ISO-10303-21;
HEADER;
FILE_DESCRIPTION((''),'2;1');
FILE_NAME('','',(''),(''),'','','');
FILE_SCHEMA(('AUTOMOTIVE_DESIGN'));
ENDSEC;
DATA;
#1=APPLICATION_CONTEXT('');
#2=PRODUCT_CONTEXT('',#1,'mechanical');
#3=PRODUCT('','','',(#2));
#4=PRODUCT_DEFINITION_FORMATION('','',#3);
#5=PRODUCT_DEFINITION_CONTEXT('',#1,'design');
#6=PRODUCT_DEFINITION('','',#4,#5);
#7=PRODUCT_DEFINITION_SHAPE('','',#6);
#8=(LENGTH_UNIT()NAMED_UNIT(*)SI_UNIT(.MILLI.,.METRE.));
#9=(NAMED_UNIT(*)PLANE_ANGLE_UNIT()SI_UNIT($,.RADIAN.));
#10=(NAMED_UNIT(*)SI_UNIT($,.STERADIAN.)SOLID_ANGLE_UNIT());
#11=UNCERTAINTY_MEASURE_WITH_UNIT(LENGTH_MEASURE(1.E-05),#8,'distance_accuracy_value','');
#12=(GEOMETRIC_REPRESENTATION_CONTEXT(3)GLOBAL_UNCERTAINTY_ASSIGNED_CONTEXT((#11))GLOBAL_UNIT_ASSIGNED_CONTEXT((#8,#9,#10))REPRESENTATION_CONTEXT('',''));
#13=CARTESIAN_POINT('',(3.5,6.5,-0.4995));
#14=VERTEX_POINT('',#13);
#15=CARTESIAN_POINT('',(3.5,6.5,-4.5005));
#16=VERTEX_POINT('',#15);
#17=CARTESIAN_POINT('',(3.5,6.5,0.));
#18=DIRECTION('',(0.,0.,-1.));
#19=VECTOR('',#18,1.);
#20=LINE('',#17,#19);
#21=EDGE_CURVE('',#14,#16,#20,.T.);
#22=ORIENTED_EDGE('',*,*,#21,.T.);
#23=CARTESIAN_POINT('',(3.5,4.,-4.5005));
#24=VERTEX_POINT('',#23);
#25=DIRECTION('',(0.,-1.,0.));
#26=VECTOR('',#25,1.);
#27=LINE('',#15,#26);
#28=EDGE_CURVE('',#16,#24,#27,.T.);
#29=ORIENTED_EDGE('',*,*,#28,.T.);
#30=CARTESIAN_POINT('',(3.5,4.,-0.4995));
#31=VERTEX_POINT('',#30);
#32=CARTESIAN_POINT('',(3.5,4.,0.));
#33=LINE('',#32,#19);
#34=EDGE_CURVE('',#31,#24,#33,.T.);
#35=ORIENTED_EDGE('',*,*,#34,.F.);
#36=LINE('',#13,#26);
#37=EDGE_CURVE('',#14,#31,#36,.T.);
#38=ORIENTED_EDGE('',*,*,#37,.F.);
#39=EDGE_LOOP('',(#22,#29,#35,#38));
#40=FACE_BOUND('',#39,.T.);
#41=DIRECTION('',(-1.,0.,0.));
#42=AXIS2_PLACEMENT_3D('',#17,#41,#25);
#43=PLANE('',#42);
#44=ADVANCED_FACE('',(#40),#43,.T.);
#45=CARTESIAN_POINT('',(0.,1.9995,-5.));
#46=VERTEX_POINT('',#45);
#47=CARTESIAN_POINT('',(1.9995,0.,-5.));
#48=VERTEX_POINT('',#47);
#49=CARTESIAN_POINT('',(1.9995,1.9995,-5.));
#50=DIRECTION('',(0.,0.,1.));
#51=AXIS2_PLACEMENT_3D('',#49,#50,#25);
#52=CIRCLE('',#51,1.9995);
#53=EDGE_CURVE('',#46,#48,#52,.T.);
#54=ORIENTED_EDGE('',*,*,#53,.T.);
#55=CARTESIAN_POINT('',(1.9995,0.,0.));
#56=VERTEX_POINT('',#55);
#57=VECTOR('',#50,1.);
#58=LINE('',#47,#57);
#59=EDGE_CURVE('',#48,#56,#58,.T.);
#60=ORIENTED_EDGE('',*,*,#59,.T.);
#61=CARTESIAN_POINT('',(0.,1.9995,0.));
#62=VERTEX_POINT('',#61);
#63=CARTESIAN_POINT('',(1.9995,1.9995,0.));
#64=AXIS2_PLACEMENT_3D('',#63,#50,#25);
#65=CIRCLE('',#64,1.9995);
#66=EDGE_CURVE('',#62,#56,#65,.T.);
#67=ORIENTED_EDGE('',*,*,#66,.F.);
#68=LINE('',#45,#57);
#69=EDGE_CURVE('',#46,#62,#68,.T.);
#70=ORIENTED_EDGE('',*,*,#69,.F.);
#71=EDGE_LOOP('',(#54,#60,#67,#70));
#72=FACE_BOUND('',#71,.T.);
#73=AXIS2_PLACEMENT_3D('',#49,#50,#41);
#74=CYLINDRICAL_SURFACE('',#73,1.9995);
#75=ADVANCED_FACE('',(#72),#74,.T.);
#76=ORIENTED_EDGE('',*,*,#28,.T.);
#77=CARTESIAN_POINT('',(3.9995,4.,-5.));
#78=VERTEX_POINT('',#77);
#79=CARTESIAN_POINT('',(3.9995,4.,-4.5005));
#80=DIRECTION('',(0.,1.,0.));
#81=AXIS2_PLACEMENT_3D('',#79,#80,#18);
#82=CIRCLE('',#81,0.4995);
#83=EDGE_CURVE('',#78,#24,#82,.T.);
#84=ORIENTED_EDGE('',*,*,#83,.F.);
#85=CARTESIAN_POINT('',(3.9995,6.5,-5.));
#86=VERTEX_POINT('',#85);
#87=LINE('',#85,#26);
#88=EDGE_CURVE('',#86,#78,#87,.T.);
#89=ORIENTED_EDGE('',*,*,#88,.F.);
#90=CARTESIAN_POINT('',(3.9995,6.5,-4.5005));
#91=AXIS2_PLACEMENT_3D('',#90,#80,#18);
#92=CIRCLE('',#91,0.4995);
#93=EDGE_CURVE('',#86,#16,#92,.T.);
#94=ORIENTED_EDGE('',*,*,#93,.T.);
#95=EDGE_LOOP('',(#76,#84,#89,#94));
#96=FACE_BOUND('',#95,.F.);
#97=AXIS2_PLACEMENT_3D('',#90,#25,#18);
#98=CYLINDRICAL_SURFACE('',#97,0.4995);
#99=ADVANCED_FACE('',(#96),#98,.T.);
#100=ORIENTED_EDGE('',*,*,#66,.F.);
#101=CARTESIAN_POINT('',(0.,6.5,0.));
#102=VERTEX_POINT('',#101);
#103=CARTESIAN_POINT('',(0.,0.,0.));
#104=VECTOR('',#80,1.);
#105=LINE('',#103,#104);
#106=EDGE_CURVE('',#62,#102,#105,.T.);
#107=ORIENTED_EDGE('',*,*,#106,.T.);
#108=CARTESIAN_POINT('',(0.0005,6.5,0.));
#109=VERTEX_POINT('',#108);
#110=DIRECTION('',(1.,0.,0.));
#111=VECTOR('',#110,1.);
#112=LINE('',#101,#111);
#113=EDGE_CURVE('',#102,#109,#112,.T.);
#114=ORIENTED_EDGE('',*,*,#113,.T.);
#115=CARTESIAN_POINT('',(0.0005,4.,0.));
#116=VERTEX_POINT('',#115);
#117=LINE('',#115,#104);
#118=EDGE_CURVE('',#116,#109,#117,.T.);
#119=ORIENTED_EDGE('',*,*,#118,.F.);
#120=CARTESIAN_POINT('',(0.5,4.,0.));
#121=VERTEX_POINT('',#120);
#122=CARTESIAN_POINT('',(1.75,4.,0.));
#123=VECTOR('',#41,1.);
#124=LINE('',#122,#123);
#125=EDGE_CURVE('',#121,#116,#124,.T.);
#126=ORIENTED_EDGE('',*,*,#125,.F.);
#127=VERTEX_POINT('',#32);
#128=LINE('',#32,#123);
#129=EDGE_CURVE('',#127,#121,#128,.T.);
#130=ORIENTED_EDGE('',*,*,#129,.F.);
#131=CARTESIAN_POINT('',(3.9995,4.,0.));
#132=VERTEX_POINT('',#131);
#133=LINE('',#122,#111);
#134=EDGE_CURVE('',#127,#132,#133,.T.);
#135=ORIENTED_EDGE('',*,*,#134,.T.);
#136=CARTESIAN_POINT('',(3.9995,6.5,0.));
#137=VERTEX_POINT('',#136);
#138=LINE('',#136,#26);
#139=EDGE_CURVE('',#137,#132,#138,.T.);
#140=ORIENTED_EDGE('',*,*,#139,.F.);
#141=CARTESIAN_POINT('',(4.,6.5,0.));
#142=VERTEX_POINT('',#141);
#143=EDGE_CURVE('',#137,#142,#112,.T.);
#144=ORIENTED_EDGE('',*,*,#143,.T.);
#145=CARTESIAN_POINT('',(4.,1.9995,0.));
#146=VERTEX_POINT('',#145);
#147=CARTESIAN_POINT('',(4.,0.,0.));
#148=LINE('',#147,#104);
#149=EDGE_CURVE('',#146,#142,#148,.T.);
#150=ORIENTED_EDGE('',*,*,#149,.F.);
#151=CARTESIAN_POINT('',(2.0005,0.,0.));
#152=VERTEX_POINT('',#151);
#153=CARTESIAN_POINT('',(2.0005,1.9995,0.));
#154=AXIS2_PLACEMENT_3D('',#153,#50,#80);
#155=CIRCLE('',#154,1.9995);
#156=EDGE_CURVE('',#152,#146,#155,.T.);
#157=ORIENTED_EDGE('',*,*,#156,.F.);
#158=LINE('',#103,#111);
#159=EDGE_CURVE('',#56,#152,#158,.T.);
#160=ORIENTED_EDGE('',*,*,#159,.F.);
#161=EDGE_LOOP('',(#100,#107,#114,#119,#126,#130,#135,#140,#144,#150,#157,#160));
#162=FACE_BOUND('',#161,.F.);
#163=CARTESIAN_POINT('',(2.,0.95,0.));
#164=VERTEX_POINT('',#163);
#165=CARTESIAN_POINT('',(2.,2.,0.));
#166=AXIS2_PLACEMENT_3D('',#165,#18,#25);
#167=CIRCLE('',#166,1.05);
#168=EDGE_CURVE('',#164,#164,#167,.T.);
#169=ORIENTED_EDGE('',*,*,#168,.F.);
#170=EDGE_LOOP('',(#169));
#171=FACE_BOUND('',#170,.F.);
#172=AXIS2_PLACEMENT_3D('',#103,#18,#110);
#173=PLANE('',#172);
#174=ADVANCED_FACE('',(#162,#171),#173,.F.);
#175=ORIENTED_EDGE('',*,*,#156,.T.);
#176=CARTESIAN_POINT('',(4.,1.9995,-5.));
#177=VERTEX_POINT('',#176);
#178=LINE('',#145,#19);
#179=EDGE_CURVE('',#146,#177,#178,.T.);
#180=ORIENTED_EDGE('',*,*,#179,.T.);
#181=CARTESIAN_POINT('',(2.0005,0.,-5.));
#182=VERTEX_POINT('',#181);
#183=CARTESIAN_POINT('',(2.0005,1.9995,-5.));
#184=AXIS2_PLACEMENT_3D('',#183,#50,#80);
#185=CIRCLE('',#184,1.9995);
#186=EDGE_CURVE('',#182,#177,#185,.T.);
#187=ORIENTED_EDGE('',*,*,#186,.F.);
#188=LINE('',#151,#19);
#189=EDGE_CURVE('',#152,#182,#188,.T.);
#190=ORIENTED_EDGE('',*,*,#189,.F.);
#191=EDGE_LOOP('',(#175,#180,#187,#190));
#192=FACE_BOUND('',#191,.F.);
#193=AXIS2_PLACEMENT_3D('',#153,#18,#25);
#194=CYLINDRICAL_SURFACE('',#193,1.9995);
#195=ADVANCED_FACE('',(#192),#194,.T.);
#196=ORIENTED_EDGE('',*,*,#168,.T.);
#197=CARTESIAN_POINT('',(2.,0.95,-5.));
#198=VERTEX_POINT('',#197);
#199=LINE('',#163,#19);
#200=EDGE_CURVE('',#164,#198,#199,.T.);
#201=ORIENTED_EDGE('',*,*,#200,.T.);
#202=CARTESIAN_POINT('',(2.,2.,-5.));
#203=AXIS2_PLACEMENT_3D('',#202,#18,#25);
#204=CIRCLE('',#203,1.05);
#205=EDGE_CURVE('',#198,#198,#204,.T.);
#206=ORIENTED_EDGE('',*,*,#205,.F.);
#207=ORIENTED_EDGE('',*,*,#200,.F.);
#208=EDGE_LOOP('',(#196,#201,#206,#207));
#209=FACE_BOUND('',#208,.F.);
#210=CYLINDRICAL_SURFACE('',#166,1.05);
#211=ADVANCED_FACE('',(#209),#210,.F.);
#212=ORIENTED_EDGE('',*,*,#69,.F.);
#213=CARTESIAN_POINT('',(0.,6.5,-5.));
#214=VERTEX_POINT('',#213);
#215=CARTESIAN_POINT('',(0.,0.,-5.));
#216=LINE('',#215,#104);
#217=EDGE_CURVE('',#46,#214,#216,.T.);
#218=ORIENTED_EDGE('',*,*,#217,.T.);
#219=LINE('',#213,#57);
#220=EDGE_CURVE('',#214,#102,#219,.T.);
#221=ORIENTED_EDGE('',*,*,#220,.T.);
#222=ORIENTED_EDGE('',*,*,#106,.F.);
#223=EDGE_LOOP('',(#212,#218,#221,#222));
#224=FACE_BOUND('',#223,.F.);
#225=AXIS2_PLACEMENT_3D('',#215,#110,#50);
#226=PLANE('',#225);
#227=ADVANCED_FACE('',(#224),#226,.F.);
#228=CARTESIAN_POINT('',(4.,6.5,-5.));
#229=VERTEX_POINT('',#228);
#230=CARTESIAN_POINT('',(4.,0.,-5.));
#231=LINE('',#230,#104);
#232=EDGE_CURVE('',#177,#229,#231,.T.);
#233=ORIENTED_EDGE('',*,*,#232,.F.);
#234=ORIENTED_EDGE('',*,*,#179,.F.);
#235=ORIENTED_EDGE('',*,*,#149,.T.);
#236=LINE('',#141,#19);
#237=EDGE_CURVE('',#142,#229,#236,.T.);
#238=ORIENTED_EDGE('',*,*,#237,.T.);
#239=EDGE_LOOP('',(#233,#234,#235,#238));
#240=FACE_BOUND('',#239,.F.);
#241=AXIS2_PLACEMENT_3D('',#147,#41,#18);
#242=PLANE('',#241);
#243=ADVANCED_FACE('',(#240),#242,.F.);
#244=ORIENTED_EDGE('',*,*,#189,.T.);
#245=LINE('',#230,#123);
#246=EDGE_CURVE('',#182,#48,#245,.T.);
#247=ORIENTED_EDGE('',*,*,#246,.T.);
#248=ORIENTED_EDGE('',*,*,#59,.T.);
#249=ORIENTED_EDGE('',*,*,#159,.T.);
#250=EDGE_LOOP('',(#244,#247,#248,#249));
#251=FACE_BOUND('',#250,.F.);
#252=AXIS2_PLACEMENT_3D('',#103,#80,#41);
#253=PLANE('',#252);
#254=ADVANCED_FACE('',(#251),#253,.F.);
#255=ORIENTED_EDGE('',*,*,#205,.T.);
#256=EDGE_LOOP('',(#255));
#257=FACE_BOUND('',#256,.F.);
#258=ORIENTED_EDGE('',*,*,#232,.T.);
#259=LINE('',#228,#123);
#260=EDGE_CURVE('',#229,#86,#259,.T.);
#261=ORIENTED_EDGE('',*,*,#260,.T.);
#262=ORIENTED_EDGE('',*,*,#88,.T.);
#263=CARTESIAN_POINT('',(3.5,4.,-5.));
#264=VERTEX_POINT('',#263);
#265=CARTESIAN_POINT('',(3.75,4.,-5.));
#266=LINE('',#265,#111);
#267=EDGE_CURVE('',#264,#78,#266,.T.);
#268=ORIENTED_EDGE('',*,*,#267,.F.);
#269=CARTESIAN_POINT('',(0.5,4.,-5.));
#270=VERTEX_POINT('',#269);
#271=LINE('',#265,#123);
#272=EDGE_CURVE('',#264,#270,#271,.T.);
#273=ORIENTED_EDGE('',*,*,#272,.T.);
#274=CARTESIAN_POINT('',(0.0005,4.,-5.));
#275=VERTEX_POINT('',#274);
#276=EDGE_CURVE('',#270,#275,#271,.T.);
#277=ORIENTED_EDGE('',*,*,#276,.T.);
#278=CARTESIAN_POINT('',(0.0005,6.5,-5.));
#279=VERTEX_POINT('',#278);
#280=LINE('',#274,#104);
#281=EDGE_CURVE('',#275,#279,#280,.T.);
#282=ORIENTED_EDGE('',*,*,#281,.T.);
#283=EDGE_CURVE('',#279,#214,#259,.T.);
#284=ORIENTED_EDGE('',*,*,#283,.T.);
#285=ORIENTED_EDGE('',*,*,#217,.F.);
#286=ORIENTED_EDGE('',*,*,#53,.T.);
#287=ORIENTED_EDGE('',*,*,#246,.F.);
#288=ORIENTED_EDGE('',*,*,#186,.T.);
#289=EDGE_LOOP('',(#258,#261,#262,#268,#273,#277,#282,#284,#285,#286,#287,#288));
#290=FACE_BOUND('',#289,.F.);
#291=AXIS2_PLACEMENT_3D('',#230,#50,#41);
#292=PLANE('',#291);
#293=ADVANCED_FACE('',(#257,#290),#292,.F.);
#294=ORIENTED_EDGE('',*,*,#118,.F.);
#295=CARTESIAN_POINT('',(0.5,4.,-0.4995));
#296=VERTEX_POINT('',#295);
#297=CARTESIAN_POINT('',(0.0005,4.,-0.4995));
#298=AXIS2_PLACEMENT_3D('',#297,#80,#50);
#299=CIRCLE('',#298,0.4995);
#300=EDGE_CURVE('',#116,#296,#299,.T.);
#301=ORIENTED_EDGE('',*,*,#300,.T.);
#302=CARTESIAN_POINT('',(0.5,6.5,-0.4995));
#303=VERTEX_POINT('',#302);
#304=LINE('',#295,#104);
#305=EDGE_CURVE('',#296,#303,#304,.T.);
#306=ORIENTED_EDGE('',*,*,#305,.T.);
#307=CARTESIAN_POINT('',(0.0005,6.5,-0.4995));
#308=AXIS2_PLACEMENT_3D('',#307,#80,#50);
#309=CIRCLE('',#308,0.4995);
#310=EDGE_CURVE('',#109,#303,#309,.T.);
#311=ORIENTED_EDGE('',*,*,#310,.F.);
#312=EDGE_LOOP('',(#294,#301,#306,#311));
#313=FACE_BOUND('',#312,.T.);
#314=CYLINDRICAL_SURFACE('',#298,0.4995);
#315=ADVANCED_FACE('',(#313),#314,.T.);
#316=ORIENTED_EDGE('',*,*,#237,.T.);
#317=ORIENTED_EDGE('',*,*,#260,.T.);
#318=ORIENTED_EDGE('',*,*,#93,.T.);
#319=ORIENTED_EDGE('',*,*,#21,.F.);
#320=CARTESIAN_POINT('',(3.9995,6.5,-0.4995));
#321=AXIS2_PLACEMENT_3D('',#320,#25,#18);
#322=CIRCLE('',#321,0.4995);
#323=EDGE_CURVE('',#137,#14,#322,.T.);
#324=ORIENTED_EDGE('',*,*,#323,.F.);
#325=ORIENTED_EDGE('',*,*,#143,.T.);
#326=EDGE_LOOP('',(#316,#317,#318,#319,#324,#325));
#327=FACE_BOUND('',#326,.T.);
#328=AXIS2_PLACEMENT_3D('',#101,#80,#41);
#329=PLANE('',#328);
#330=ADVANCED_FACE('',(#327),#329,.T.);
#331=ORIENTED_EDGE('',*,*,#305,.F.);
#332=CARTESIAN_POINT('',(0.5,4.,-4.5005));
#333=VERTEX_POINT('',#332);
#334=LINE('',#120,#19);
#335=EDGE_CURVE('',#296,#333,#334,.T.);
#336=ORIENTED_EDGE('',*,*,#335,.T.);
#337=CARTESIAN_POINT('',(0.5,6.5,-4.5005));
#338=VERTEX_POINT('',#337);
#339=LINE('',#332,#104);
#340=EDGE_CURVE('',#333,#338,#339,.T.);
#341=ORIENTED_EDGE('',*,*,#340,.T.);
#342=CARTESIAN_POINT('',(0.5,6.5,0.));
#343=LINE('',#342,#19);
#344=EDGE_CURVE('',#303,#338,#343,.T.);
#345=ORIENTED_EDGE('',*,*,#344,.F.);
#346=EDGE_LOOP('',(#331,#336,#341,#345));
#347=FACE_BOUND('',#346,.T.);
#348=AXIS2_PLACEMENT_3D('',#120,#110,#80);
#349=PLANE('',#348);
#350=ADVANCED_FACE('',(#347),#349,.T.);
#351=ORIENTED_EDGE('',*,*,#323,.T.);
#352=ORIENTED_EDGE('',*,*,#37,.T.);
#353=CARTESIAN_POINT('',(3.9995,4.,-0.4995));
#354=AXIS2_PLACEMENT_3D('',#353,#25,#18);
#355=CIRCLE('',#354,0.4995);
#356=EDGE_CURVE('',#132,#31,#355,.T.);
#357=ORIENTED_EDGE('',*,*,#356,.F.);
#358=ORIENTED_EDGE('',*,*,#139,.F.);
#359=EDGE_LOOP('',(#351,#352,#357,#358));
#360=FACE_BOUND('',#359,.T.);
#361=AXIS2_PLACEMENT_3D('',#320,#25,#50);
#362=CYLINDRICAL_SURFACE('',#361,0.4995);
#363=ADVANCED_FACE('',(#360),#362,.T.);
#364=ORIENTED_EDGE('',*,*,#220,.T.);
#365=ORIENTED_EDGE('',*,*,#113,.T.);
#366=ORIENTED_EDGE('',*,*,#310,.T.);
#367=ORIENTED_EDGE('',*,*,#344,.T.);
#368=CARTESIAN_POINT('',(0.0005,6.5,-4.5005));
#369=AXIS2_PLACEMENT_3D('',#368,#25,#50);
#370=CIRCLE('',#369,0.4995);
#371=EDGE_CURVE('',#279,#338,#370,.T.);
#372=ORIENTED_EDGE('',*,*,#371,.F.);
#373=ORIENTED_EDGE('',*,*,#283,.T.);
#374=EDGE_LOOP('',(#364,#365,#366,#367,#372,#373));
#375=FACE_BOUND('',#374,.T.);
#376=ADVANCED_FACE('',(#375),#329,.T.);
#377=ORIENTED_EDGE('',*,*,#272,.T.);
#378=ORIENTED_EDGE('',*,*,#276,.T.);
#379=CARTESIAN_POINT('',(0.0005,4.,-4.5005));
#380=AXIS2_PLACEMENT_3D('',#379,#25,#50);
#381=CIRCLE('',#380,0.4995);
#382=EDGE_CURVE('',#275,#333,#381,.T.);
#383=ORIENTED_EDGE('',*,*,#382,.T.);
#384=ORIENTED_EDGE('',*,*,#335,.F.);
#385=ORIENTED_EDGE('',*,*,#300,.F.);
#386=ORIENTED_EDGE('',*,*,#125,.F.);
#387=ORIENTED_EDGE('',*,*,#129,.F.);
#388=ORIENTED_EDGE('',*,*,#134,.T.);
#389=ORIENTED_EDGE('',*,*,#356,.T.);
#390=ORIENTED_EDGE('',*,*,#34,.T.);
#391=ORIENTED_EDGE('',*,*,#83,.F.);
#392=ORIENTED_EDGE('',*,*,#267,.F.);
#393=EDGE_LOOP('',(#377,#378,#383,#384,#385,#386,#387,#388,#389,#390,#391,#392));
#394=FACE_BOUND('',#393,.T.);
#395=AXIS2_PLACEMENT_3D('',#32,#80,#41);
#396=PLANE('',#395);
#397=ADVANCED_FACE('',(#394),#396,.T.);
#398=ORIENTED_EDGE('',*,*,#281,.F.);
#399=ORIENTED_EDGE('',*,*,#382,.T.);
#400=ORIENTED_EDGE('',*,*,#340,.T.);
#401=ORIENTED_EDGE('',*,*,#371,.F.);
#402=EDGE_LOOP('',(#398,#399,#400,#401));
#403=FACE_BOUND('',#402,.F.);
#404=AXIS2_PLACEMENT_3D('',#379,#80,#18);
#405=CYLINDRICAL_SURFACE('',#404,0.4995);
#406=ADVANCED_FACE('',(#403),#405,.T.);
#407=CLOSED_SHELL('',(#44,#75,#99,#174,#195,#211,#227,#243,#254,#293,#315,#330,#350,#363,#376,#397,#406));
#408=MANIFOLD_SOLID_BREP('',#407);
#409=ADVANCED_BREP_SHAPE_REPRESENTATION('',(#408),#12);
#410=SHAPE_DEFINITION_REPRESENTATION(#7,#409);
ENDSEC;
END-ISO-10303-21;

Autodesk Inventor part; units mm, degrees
ref_plane "YZ Plane" through (0, 0, 0) normal (1, 0, 0) x (0, 1, 0)
ref_plane "XZ Plane" through (0, 0, 0) normal (0, 1, 0) x (-1, 0, 0)
ref_plane "XY Plane" through (0, 0, 0) normal (0, 0, 1) x (1, 0, 0)
sketch "スケッチ1" plane through (0, 0, 0) normal (0, 1, 0) x (-1, 0, 0)
  line L0 (0, 0) -> (-4, 0)
  line L1 (-4, 0) -> (-4, -5)
  line L2 (-4, -5) -> (0, -5)
  line L3 (0, -5) -> (0, 0)
  dimension "d0" = 4
  dimension "d1" = 5
extrude "押し出し1" add sketch "スケッチ1" along normal blind 6.5
sketch "スケッチ2" plane through (0, 0, 0) normal (0, 0, 1) x (1, 0, 0)
  line L0 (0, 0) -> (4, 0) projected
  line L1 (0, 0) -> (0, 6.5) projected
  point P0 (2, 2)
  dimension "d11" = 2
  dimension "d12" = 2
hole "穴1" at (2, 2, 0) direction (0, 0, -1) diameter 2.1 end through all
sketch "スケッチ3" plane through (0, 0, 0) normal (0, 0, 1) x (1, 0, 0)
  line L0 (0.5, 6.5) -> (3.5, 6.5)
  line L1 (3.5, 6.5) -> (3.5, 4)
  line L2 (3.5, 4) -> (0.5, 4)
  line L3 (0.5, 4) -> (0.5, 6.5)
  line L4 (0.5, 6.5) -> (3.5, 4) construction
  line L5 (3.5, 6.5) -> (0.5, 4) construction
  line L6 (0, 0) -> (0, 6.5) projected
  line L7 (0, 6.5) -> (4, 6.5) projected
  point P0 (2, 5.25)
  dimension "d13" = 3
  dimension "d14" = 2.5
  dimension "d15" = 2
  dimension "d16" = 0
extrude "押し出し2" cut sketch "スケッチ3" against normal through all
fillet "フィレット1" radius 2 2 edges at (4, 0, -2.5) (0, 0, -2.5)
fillet "フィレット2" radius 0.5 4 edges at (0.5, 5.25, 0) (3.5, 5.25, 0) (0.5, 5.25, -5) (3.5, 5.25, -5)
equation "\"d12\" = 0.5 * d0"
equation "\"d15\" = 0.5 * d0"
properties part number "gomu_guide"
